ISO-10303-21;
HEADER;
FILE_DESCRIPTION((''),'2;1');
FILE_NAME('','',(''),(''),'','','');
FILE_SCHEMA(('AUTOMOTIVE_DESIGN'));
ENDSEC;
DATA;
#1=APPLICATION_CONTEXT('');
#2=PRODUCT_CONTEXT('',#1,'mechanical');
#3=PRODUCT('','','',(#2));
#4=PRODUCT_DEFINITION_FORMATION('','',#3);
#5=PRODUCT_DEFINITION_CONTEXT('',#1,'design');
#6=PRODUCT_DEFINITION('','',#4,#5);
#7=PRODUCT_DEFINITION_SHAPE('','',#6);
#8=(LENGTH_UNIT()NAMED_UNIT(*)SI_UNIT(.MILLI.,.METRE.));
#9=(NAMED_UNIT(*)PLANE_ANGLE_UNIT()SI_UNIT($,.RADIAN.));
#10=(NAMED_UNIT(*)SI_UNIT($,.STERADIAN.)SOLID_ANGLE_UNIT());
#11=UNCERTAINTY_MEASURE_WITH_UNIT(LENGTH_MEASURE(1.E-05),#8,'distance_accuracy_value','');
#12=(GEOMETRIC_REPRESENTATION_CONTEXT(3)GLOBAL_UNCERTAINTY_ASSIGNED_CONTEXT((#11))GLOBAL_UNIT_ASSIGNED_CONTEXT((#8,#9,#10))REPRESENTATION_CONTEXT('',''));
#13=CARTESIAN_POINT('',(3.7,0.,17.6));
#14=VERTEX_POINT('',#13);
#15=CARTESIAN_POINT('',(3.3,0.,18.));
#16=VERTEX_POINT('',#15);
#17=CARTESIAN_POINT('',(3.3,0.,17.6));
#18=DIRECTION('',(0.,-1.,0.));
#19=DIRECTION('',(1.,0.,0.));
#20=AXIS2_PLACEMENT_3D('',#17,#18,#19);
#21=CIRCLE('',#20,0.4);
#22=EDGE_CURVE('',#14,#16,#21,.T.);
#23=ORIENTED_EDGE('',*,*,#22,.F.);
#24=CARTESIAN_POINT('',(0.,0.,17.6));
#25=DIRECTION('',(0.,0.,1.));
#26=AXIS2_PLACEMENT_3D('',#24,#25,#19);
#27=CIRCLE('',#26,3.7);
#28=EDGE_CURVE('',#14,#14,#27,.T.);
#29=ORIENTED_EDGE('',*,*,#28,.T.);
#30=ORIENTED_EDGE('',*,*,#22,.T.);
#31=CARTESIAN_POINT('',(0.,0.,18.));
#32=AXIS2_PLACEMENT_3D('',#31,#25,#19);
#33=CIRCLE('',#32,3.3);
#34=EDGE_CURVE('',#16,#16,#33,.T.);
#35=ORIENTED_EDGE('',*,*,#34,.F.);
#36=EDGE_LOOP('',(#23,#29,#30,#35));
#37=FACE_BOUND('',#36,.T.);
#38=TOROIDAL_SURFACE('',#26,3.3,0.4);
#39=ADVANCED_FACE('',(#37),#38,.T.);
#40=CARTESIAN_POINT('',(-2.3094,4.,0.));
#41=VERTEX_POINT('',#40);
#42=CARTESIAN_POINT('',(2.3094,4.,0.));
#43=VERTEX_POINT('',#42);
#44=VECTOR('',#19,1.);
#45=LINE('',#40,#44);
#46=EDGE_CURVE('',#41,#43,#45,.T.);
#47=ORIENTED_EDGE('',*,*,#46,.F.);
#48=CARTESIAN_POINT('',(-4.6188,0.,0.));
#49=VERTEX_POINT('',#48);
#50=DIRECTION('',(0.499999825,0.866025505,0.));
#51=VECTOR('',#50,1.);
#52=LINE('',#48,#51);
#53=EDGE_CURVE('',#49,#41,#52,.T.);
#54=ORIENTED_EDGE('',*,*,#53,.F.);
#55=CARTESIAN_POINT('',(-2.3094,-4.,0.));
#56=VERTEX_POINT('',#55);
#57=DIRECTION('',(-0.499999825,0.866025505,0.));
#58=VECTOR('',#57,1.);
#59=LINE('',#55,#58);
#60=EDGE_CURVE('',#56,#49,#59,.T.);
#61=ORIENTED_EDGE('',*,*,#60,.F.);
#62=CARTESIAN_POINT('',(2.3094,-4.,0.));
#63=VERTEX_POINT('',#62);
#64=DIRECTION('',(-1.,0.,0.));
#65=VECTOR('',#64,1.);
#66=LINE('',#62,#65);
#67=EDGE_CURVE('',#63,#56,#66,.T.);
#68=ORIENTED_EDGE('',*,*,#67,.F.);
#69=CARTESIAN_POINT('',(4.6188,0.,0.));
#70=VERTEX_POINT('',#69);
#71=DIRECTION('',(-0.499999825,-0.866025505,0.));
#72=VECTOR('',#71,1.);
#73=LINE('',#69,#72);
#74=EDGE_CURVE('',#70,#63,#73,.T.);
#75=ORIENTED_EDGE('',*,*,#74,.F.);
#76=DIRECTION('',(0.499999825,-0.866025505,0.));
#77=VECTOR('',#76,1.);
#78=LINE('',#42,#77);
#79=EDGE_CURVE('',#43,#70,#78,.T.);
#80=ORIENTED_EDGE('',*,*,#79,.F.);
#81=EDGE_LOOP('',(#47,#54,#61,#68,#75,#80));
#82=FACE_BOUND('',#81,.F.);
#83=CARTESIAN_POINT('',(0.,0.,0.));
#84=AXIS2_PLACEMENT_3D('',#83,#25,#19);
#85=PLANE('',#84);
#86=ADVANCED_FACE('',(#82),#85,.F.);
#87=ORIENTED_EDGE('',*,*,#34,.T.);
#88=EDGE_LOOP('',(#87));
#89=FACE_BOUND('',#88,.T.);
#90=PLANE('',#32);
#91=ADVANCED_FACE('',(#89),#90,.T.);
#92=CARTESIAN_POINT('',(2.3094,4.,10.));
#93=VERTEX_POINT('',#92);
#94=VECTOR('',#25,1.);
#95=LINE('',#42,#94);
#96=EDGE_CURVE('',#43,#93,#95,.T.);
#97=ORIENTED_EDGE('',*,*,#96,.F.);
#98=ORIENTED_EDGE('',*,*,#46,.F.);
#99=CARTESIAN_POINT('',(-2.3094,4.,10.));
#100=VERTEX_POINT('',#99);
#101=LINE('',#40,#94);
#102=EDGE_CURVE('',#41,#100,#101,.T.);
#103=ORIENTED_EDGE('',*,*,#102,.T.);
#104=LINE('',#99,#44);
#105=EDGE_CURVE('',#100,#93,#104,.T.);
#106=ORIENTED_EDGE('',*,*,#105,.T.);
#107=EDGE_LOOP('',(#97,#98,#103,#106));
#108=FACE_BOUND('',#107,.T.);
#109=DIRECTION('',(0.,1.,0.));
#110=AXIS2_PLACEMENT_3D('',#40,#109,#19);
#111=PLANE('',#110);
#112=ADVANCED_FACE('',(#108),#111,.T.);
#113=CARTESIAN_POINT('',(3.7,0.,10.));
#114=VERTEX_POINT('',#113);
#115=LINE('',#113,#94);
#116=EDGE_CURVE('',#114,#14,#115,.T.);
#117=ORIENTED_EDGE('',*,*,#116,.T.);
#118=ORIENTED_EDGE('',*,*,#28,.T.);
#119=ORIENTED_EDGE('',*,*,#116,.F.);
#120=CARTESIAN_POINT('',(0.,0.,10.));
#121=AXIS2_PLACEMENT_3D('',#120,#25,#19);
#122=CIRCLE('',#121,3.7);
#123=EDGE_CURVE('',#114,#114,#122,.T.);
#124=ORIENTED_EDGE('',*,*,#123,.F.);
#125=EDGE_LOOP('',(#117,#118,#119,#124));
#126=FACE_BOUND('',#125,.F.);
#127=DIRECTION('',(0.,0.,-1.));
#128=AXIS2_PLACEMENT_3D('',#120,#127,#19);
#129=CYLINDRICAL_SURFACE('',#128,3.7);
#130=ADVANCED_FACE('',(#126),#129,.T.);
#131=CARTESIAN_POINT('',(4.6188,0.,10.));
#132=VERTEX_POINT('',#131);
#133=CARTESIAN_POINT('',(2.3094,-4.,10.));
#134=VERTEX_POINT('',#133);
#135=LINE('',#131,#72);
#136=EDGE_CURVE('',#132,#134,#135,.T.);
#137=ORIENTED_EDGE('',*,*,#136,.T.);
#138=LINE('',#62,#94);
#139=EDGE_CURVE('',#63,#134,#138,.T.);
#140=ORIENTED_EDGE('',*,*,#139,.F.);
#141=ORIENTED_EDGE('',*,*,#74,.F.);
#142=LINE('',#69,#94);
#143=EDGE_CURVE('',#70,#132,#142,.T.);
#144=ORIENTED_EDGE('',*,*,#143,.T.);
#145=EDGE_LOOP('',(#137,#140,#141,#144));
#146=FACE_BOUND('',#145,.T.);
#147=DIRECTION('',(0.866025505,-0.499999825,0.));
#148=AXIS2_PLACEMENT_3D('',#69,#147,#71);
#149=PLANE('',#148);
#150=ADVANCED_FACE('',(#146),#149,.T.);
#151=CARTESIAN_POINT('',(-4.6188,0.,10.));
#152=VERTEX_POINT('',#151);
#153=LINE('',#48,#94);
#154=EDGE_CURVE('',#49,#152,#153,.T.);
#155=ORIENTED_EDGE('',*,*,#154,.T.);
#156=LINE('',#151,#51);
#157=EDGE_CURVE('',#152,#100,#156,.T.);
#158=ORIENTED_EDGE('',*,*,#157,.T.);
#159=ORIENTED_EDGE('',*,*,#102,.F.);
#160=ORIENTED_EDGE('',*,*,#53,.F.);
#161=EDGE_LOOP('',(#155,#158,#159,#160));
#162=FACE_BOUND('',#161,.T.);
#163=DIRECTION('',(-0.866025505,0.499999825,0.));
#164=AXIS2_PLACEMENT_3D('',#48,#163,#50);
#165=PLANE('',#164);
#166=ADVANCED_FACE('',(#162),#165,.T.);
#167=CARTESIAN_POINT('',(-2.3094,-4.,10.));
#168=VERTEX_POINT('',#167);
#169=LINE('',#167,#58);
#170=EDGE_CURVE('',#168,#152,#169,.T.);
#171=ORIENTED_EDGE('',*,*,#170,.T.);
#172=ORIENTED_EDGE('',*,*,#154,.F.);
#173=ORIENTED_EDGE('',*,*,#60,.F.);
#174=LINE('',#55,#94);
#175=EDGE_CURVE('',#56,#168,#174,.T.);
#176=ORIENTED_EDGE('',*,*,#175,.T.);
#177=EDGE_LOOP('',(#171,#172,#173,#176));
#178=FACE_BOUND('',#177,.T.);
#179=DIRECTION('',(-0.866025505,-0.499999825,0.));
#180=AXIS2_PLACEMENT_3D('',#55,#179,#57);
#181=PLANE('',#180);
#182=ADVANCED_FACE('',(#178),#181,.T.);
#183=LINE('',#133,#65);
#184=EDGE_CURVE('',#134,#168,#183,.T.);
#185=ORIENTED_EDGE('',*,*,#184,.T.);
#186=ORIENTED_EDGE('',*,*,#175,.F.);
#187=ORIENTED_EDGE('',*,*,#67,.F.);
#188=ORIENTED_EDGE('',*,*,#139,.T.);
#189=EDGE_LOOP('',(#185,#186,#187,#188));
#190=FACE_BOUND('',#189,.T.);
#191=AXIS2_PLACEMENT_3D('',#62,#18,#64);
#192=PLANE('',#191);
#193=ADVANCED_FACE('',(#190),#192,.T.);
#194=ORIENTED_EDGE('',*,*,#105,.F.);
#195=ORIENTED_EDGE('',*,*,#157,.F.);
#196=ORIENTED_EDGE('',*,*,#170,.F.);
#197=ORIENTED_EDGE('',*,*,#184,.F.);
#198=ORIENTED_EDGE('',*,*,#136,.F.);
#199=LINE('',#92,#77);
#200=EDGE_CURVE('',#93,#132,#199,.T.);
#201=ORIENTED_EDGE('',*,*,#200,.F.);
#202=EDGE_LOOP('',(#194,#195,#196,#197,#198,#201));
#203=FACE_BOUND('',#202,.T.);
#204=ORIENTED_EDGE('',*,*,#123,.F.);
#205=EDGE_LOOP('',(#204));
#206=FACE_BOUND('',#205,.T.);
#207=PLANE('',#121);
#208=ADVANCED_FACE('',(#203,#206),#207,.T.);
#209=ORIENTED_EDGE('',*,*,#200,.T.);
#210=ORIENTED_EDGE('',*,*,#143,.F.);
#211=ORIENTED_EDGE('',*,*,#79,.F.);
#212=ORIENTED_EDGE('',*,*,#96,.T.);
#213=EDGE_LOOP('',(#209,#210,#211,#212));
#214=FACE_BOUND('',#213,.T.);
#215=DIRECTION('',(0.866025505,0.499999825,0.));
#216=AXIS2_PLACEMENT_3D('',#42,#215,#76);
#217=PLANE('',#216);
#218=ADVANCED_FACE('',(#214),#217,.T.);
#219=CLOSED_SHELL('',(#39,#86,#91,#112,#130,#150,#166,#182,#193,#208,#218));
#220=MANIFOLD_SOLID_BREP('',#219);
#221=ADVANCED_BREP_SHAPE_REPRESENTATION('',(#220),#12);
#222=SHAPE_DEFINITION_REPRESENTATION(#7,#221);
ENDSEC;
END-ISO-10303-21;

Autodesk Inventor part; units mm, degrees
ref_plane "YZ Plane" through (0, 0, 0) normal (1, 0, 0) x (0, 1, 0)
ref_plane "XZ Plane" through (0, 0, 0) normal (0, 1, 0) x (-1, 0, 0)
ref_plane "XY Plane" through (0, 0, 0) normal (0, 0, 1) x (1, 0, 0)
sketch "Sketch1" plane through (0, 0, 0) normal (0, 0, 1) x (1, 0, 0)
  line L0 (2.3094, -4) -> (-2.3094, -4)
  line L1 (-2.3094, -4) -> (-4.6188, 0)
  line L2 (-4.6188, 0) -> (-2.3094, 4)
  line L3 (-2.3094, 4) -> (2.3094, 4)
  line L4 (2.3094, 4) -> (4.6188, 0)
  line L5 (4.6188, 0) -> (2.3094, -4)
  point P0 (0, 0)
  point P1 (0, 0)
  dimension "d0" = 8
extrude "Extrusion1" add sketch "Sketch1" along normal blind 10
sketch "Sketch2" plane through (0, 0, 10) normal (0, 0, 1) x (1, 0, 0)
  circle A0 centre (0, 0) radius 3.7
  dimension "d3" = 7.4
extrude "Extrusion2" add sketch "Sketch2" along normal blind 8
fillet "Fillet1" radius 0.4 1 edges at (-3.7, 0, 18)
properties part number "hex_shaft"
